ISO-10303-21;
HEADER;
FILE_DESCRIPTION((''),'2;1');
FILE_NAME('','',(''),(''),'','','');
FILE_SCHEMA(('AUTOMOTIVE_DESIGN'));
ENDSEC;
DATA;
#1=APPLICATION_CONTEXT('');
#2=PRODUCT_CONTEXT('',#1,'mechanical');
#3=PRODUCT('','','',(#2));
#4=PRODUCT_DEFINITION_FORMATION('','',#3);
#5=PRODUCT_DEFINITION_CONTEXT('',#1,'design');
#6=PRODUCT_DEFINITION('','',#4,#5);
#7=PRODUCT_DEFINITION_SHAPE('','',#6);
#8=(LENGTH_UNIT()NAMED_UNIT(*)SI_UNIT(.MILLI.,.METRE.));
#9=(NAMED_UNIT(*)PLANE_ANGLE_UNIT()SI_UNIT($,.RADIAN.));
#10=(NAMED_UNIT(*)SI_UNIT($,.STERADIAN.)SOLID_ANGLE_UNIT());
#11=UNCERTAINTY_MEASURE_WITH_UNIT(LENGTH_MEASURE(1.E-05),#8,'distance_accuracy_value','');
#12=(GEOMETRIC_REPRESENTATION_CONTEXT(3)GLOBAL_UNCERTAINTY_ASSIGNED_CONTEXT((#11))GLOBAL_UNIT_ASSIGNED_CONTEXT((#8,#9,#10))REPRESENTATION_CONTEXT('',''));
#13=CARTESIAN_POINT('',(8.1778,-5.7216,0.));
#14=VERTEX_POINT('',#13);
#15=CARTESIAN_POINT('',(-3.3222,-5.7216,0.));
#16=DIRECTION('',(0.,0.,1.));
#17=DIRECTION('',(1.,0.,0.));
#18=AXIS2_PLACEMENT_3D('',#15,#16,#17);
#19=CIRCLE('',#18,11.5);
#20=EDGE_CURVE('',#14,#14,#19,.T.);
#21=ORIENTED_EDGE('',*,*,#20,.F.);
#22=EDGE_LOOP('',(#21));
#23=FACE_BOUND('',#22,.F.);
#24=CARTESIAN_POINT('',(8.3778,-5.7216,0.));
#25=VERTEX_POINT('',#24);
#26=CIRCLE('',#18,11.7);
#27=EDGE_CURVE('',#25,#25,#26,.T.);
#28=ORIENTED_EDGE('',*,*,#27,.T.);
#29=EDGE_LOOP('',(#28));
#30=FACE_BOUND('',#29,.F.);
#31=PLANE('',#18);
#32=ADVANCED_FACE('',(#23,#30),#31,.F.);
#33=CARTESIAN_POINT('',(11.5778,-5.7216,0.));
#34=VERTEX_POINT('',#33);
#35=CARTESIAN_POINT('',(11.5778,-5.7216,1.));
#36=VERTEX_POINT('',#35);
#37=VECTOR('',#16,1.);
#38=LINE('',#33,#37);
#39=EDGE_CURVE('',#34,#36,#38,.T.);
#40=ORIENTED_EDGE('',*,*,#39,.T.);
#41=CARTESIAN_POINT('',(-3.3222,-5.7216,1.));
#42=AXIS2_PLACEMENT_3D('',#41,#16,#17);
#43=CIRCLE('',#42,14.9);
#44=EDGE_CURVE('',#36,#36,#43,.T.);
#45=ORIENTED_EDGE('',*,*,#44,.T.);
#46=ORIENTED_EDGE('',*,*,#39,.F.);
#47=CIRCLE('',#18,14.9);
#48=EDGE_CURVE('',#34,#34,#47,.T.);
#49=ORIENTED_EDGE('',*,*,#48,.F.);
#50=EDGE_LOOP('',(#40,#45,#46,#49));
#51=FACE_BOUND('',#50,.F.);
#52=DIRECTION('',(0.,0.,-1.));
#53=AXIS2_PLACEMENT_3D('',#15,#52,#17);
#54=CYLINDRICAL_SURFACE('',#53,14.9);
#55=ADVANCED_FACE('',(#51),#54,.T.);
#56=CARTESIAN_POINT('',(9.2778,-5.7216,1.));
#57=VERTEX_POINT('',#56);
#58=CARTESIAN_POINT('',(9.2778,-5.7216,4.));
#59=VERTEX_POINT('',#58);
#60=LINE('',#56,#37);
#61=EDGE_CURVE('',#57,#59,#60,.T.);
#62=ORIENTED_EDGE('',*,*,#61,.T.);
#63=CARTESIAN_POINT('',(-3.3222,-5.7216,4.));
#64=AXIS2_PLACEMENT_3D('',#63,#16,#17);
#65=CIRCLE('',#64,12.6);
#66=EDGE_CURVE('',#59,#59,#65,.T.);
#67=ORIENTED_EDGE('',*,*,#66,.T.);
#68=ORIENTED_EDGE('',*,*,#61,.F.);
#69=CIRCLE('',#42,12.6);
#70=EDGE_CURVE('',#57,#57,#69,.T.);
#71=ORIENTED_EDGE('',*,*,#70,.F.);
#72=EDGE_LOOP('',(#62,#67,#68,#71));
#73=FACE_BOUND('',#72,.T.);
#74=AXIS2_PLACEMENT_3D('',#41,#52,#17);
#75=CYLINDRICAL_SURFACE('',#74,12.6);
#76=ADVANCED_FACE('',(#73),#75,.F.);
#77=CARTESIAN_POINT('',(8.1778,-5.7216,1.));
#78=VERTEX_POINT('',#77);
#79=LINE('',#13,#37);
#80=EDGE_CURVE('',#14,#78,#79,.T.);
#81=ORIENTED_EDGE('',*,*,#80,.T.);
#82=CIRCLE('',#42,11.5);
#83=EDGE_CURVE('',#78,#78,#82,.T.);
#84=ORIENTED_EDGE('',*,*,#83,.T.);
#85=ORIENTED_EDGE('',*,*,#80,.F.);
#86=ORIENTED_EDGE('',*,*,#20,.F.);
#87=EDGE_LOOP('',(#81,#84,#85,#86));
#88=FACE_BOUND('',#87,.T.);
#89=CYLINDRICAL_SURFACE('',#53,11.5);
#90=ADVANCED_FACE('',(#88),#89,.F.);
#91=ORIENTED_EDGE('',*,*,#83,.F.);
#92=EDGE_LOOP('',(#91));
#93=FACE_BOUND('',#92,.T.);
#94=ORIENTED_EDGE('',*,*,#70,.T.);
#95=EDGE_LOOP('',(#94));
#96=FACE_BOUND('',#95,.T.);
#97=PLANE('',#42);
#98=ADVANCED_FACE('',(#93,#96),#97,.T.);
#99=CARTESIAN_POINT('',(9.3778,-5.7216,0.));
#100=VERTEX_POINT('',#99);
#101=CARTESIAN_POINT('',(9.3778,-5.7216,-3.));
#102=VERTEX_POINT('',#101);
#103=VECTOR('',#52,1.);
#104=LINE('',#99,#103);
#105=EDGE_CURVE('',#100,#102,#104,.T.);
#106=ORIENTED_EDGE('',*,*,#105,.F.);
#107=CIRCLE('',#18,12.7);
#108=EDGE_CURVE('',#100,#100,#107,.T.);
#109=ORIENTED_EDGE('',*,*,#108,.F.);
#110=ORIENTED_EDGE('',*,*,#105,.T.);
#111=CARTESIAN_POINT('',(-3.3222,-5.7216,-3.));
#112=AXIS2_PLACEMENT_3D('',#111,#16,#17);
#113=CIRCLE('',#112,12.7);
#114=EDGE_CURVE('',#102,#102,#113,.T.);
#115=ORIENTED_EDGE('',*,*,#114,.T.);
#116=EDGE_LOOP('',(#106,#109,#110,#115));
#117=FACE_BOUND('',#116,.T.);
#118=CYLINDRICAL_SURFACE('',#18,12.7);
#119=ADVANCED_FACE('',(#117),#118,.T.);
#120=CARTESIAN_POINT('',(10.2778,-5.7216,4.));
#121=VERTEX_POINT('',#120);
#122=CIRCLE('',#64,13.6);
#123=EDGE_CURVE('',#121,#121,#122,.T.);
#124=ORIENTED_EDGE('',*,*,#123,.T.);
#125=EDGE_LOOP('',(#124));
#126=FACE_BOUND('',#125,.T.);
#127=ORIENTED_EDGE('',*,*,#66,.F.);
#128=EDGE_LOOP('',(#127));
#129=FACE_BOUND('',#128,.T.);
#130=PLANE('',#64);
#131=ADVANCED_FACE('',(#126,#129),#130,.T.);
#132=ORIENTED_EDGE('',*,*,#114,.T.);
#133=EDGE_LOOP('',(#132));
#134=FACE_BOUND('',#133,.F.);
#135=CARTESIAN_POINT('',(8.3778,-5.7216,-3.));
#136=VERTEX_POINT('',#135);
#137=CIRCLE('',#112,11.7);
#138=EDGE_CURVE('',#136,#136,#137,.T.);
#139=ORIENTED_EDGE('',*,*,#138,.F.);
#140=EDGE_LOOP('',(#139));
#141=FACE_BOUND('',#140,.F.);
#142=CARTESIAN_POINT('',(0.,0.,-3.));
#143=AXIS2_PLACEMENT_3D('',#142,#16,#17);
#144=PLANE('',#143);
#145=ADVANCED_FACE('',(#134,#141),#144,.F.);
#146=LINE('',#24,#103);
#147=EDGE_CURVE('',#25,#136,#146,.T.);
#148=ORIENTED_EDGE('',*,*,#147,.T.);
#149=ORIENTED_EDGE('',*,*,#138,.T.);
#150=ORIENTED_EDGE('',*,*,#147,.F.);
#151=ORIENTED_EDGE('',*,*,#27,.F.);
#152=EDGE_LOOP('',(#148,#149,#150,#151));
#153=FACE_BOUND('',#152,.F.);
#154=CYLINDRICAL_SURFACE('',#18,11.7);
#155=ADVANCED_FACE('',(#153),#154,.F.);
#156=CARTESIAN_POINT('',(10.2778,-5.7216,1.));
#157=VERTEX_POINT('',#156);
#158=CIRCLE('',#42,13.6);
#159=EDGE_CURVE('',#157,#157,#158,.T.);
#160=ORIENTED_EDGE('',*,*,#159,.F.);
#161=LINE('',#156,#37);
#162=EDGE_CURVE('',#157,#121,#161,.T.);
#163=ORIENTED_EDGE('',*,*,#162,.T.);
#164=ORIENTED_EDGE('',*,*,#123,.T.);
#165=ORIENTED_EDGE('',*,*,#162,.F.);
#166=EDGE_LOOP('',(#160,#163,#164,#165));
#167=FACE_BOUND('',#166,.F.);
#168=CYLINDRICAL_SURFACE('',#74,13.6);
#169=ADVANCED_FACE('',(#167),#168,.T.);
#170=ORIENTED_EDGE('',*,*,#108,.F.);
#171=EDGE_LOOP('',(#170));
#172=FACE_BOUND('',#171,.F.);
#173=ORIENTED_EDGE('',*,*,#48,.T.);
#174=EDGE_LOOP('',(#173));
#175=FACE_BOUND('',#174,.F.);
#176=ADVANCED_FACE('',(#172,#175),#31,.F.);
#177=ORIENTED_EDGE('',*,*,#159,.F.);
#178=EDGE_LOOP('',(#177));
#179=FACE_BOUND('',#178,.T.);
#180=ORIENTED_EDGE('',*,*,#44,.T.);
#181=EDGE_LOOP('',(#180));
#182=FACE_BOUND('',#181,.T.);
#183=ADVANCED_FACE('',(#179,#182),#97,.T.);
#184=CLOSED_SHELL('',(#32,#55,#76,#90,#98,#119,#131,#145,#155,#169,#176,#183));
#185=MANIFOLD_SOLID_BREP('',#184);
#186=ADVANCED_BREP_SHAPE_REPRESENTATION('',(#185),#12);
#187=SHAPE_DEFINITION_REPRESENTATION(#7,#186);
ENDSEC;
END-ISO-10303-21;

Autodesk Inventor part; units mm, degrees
ref_plane "YZ Plane" through (0, 0, 0) normal (1, 0, 0) x (0, 1, 0)
ref_plane "XZ Plane" through (0, 0, 0) normal (0, 1, 0) x (-1, 0, 0)
ref_plane "XY Plane" through (0, 0, 0) normal (0, 0, 1) x (1, 0, 0)
sketch "Sketch1" plane through (0, 0, 0) normal (0, 0, 1) x (1, 0, 0)
  circle A0 centre (-3.3222, -5.7216) radius 11.7
  circle A1 centre (-3.3222, -5.7216) radius 12.7
  point P0 (0, 0)
  dimension "d3" = 1
  dimension "d4" = 25.4
extrude "Extrusion1" add sketch "Sketch1" against normal blind 3
sketch "Sketch3" plane through (-3.3222, -5.7216, 0) normal (0, 0, 1) x (1, 0, 0)
  circle A0 centre (0, 0) radius 11.7 projected
  circle A1 centre (0, 0) radius 12.7 projected
  circle A2 centre (0, 0) radius 11.5
  circle A3 centre (0, 0) radius 14.9
  point P0 (3.3222, 5.7216)
  dimension "d12" = 23
  dimension "d14" = 29.8
extrude "Extrusion3" add sketch "Sketch3" along normal blind 1 contours A0 | A1 | A3
sketch "Sketch4" plane through (-3.3222, -5.7216, 1) normal (0, 0, 1) x (1, 0, 0)
  circle A0 centre (0, 0) radius 14.9 projected
  circle A1 centre (0, 0) radius 12.6
  circle A2 centre (0, 0) radius 13.6
  point P0 (3.3222, 5.7216)
  dimension "d17" = 1
  dimension "d19" = 25.2
extrude "Extrusion4" add sketch "Sketch4" along normal blind 3 contours A2
properties part number "Eyepiece tube filter holder"
